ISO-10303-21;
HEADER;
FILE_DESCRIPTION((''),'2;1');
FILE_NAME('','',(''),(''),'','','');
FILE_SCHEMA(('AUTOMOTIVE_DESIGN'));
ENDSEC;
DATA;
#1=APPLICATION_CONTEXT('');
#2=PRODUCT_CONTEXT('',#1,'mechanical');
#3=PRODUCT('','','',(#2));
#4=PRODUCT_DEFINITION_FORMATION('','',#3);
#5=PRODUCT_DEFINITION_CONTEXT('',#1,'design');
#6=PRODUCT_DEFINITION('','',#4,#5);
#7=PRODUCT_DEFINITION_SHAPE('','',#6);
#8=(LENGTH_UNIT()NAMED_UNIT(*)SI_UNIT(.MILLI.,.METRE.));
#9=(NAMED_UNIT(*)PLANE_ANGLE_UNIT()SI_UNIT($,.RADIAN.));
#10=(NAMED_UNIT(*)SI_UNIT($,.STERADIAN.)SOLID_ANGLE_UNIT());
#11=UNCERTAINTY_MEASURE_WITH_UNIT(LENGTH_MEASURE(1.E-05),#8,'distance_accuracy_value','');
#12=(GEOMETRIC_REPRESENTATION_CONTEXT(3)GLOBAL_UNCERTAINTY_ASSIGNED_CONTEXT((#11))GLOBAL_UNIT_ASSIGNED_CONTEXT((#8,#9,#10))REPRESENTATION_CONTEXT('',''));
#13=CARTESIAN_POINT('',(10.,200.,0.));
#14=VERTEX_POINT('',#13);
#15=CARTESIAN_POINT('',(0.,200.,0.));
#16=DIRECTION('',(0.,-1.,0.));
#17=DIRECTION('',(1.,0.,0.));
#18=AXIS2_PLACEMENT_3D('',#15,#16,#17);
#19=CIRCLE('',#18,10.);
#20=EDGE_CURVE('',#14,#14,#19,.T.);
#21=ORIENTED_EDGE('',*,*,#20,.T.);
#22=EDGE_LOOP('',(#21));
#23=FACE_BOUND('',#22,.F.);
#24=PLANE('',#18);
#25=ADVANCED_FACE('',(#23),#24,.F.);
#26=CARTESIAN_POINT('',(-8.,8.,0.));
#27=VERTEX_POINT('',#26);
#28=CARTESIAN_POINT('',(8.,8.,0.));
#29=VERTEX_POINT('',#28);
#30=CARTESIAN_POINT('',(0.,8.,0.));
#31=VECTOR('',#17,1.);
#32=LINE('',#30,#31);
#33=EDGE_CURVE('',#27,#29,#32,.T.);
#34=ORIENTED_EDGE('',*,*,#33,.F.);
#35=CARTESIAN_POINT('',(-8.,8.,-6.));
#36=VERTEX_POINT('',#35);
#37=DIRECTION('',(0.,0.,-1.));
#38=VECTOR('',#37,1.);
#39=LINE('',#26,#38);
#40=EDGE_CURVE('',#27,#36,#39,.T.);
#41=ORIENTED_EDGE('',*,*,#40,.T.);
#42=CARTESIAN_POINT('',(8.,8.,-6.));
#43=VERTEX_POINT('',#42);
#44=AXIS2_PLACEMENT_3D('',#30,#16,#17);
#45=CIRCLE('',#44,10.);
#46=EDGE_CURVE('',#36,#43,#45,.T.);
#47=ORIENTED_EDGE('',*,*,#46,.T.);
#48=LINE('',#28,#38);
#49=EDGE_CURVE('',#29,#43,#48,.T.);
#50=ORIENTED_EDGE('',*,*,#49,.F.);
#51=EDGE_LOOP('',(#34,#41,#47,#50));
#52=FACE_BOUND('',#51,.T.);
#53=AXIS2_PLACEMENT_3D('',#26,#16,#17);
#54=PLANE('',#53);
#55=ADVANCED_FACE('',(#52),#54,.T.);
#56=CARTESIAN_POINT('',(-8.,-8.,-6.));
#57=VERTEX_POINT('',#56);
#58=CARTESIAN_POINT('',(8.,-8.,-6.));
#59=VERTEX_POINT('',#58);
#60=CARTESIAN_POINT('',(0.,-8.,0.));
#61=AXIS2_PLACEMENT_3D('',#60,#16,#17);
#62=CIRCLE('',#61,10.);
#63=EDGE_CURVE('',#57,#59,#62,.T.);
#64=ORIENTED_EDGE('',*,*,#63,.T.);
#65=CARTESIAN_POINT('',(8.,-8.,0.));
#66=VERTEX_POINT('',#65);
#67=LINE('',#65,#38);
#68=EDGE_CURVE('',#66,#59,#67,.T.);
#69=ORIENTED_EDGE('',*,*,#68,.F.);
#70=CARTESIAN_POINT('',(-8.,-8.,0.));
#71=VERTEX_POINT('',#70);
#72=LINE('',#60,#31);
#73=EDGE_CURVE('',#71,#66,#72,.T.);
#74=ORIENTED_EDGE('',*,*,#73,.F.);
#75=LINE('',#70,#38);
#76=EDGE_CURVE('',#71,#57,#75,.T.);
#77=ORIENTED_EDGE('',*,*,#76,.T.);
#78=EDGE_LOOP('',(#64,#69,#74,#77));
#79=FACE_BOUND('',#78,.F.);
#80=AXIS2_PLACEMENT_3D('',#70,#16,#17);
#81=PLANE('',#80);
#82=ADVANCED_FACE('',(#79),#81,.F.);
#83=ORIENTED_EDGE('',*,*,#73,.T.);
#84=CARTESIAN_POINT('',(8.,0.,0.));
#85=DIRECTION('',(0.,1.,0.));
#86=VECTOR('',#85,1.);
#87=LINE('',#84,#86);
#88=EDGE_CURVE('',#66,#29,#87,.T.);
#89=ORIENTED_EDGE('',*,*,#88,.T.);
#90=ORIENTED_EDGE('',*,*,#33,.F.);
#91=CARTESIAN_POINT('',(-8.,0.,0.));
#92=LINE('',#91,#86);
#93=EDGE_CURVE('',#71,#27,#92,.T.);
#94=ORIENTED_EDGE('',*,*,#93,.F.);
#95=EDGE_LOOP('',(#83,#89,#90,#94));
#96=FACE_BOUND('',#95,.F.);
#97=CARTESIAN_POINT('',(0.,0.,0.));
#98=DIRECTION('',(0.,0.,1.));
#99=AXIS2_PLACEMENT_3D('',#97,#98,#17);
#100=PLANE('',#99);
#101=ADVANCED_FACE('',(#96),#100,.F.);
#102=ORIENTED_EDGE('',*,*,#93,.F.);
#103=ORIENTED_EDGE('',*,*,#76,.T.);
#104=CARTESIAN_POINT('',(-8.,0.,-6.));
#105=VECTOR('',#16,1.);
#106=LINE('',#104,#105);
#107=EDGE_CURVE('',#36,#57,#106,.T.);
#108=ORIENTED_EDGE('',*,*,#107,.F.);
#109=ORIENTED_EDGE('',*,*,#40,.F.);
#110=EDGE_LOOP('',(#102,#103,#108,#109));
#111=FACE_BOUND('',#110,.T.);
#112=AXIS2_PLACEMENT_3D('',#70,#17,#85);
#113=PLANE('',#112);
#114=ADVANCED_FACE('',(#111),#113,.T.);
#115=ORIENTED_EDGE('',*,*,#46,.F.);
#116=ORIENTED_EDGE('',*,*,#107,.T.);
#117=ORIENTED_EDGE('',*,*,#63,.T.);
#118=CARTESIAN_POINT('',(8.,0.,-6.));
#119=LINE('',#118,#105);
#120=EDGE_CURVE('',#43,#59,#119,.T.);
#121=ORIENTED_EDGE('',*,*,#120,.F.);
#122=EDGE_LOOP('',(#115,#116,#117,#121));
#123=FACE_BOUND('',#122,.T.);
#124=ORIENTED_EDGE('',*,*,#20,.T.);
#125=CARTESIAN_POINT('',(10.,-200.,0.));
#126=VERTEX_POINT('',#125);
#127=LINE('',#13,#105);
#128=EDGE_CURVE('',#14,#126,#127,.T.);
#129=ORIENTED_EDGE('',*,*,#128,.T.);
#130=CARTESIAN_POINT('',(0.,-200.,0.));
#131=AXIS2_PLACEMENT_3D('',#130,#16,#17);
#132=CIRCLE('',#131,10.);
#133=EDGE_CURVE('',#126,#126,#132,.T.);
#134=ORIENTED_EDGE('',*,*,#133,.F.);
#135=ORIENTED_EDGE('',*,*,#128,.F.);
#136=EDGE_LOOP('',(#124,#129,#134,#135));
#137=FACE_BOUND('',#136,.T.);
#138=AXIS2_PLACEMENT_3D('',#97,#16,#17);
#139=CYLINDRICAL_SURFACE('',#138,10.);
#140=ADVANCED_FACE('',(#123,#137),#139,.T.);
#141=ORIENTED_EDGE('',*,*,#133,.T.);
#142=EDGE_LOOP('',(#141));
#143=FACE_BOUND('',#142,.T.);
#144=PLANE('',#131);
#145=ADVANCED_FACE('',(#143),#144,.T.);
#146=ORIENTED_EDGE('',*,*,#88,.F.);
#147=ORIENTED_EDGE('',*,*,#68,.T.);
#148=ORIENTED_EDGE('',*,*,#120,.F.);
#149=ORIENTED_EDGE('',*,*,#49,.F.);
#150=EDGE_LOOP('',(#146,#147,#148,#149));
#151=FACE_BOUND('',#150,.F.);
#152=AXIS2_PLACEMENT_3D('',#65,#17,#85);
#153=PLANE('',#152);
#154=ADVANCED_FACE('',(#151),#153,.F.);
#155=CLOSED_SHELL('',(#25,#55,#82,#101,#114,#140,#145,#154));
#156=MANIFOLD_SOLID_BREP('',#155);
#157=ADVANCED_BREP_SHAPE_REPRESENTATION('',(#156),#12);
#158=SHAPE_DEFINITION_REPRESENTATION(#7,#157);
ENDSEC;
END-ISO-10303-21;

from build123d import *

# Parameters (mm, degrees)
F0_R          = 10
F1_DEPTH      = 200
F1_DEPTH_BACK = 200
F2_W          = 16
F2_H          = 16
F3_DEPTH      = 25


with BuildPart() as f1:
    # F0 (on Front) → F1 (new body, two sides)
    with BuildSketch(Plane.XZ) as f1_sk:
        Circle(F0_R)
    extrude(amount=F1_DEPTH)
    extrude(f1_sk.sketch, amount=-F1_DEPTH_BACK)

    # F2 (on Top) → F3 (cut)
    with BuildSketch(Plane.XY):
        Rectangle(F2_W, F2_H)
    extrude(amount=-F3_DEPTH, mode=Mode.SUBTRACT)


solid = f1.part
